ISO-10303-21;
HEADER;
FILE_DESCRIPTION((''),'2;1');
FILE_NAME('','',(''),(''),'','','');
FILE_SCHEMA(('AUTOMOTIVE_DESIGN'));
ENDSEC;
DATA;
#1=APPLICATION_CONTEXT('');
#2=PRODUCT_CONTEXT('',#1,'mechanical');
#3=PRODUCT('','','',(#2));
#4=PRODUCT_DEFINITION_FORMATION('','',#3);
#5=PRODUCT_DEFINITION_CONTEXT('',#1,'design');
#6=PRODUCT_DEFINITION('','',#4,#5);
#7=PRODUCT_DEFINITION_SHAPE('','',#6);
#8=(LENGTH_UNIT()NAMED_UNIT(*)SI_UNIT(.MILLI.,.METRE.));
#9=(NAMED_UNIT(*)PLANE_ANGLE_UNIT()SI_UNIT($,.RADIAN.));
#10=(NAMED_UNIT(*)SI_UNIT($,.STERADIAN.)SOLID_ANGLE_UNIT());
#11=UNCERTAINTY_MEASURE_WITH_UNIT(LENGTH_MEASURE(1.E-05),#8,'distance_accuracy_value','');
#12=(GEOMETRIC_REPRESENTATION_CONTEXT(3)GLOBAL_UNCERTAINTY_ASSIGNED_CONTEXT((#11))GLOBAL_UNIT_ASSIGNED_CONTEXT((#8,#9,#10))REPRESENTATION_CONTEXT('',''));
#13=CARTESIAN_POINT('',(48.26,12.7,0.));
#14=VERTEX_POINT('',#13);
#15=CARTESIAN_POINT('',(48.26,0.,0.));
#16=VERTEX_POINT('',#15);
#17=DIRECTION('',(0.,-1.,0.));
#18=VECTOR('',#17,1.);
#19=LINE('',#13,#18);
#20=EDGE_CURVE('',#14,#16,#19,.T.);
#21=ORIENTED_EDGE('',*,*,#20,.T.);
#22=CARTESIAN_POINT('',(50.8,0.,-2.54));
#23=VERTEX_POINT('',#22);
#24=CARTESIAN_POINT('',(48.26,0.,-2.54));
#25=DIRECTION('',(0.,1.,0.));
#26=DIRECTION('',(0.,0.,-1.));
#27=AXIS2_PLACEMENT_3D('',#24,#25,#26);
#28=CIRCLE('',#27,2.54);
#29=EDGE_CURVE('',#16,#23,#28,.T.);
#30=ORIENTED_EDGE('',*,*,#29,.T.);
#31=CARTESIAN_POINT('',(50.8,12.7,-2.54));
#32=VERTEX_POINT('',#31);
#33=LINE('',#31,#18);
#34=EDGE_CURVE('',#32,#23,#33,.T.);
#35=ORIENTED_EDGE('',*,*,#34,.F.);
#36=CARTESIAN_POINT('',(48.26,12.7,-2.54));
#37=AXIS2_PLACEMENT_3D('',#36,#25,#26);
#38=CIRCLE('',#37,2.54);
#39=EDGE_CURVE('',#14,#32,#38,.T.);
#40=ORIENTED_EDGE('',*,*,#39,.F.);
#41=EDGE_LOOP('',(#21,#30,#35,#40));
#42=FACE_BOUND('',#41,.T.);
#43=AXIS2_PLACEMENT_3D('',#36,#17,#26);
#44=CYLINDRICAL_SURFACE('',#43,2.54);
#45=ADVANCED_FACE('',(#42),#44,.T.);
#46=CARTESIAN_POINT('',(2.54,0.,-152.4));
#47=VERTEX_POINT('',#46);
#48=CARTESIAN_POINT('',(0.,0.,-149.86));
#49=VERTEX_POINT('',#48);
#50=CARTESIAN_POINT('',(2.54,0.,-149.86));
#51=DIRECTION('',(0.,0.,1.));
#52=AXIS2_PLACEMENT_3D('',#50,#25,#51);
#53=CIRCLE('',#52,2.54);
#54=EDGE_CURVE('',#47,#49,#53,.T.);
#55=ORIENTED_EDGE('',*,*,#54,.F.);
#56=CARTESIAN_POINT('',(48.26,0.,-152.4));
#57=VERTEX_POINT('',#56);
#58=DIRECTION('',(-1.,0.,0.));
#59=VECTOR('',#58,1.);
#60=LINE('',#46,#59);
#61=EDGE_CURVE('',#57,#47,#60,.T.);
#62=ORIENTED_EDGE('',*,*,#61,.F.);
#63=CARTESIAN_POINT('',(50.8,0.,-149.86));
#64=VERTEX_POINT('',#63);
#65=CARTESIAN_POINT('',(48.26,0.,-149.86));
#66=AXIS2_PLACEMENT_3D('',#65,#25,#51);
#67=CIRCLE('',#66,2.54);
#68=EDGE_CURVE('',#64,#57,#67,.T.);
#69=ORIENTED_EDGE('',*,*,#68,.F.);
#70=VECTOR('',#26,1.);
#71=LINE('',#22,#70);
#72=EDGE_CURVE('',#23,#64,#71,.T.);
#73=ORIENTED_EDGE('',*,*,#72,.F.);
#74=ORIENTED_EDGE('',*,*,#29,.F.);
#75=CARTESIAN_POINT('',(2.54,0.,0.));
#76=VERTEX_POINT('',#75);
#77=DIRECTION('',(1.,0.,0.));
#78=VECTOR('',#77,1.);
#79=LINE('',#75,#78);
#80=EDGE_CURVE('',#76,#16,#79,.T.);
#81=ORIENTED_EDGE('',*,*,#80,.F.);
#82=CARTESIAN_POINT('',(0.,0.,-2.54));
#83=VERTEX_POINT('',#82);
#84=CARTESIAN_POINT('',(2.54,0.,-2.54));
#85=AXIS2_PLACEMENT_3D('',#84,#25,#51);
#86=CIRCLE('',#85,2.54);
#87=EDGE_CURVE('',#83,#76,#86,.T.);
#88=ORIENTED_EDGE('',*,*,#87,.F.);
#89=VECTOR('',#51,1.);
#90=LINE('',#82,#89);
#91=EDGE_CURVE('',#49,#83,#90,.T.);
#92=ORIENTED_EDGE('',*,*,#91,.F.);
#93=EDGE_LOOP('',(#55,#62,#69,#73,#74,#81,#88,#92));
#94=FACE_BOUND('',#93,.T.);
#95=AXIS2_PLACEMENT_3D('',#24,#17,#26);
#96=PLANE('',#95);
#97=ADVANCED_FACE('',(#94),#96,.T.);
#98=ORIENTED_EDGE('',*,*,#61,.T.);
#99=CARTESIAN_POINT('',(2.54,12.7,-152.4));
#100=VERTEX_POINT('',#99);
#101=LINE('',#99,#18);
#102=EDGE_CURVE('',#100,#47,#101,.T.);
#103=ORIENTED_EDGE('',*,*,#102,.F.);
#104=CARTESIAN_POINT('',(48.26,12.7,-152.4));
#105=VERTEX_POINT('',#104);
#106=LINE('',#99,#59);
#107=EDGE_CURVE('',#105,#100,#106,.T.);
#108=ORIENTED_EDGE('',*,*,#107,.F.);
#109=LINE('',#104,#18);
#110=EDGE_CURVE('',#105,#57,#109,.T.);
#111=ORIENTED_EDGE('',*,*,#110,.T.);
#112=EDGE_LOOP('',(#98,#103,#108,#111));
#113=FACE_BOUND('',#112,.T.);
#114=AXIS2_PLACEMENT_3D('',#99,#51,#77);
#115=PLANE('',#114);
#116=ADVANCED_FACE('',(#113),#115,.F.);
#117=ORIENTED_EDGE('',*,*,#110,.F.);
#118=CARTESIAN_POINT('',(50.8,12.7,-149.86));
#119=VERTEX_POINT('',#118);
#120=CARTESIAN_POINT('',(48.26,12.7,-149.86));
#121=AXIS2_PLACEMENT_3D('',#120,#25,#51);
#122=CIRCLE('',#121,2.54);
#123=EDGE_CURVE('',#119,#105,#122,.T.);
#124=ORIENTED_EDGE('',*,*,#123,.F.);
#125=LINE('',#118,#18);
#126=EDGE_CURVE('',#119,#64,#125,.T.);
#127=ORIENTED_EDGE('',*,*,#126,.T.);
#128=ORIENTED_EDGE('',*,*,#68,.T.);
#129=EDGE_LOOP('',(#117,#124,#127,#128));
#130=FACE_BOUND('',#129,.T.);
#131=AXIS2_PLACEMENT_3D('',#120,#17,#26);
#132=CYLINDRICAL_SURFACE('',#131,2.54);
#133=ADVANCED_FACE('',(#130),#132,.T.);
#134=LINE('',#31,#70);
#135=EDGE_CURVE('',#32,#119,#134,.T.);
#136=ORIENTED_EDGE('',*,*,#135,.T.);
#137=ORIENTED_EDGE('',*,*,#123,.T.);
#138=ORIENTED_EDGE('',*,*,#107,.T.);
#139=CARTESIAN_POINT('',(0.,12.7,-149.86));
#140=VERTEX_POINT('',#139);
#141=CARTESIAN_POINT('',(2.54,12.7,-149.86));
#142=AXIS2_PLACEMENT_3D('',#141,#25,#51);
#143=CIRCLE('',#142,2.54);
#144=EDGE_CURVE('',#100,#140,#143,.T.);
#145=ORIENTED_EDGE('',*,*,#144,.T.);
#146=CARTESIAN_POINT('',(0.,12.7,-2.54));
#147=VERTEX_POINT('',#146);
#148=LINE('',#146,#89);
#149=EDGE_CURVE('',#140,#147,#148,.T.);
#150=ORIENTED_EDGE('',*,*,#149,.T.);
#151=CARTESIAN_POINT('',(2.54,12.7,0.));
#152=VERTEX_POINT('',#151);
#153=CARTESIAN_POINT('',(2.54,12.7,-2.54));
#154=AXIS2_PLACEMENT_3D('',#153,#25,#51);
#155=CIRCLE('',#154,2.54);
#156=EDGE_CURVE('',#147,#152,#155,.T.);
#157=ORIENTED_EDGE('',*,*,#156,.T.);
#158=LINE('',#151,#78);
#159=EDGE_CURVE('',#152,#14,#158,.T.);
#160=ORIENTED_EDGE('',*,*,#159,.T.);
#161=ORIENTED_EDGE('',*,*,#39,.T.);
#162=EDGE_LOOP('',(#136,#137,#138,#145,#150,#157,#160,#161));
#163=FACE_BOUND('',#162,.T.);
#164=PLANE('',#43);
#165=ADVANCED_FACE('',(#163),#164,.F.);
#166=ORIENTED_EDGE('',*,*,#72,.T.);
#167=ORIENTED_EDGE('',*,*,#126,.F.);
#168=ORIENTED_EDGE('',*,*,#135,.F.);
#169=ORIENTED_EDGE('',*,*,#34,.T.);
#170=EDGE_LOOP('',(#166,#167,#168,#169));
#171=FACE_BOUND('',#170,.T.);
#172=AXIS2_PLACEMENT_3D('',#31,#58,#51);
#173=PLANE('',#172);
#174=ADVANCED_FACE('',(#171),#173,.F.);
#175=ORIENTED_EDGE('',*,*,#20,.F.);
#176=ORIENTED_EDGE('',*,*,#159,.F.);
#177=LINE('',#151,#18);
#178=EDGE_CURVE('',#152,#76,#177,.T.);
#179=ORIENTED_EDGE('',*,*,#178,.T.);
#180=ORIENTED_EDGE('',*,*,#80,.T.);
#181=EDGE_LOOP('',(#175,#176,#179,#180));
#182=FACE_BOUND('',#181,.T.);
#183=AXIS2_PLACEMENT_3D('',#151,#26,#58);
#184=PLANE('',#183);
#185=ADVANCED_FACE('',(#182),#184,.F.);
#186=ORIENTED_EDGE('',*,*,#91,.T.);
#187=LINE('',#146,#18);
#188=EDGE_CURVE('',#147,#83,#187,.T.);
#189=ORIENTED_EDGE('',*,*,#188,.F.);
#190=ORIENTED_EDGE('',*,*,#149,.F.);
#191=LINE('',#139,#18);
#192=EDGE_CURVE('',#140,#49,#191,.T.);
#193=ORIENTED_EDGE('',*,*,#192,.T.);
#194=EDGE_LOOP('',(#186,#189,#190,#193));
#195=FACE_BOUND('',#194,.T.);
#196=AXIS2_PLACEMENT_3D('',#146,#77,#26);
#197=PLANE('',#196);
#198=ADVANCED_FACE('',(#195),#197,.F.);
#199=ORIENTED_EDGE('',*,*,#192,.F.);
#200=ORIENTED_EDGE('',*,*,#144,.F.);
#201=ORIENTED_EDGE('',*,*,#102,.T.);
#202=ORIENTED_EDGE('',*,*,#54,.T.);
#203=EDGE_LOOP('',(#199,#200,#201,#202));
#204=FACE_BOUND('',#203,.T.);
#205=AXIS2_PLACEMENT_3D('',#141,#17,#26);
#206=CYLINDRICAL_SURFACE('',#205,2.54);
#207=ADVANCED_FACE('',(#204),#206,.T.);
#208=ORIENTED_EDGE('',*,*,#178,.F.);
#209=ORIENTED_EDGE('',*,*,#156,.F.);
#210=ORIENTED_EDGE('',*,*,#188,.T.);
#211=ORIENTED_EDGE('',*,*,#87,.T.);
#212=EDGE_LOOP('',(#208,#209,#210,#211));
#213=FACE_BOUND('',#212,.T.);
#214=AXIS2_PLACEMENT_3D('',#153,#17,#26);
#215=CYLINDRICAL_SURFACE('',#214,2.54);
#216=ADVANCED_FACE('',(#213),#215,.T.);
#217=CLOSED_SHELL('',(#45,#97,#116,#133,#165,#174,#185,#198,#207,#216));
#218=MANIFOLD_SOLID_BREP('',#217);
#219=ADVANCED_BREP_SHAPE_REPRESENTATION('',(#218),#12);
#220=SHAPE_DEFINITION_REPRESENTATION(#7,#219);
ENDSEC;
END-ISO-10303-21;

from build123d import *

# Parameters (mm, degrees)
BOSS_EXTRUDE1_DEPTH = 12.7


with BuildPart() as part:
    # Sketch2 → Boss-Extrude1 (new body)
    with BuildSketch(Plane(origin=(0, 0, 0), x_dir=(1, 0, 0), z_dir=(0, 1, 0))):
        with BuildLine():
            Line((2.54, 0), (48.26, 0))
            ThreePointArc((48.26, 0), (50.056051224, 0.743948776), (50.8, 2.54))
            Line((50.8, 2.54), (50.8, 149.86))
            ThreePointArc((50.8, 149.86), (50.056051224, 151.656051224), (48.26, 152.4))
            Line((48.26, 152.4), (2.54, 152.4))
            ThreePointArc((2.54, 152.4), (0.743948776, 151.656051224), (0, 149.86))
            Line((0, 149.86), (0, 2.54))
            ThreePointArc((0, 2.54), (0.743948776, 0.743948776), (2.54, 0))
        make_face()
    extrude(amount=BOSS_EXTRUDE1_DEPTH)


solid = part.part
